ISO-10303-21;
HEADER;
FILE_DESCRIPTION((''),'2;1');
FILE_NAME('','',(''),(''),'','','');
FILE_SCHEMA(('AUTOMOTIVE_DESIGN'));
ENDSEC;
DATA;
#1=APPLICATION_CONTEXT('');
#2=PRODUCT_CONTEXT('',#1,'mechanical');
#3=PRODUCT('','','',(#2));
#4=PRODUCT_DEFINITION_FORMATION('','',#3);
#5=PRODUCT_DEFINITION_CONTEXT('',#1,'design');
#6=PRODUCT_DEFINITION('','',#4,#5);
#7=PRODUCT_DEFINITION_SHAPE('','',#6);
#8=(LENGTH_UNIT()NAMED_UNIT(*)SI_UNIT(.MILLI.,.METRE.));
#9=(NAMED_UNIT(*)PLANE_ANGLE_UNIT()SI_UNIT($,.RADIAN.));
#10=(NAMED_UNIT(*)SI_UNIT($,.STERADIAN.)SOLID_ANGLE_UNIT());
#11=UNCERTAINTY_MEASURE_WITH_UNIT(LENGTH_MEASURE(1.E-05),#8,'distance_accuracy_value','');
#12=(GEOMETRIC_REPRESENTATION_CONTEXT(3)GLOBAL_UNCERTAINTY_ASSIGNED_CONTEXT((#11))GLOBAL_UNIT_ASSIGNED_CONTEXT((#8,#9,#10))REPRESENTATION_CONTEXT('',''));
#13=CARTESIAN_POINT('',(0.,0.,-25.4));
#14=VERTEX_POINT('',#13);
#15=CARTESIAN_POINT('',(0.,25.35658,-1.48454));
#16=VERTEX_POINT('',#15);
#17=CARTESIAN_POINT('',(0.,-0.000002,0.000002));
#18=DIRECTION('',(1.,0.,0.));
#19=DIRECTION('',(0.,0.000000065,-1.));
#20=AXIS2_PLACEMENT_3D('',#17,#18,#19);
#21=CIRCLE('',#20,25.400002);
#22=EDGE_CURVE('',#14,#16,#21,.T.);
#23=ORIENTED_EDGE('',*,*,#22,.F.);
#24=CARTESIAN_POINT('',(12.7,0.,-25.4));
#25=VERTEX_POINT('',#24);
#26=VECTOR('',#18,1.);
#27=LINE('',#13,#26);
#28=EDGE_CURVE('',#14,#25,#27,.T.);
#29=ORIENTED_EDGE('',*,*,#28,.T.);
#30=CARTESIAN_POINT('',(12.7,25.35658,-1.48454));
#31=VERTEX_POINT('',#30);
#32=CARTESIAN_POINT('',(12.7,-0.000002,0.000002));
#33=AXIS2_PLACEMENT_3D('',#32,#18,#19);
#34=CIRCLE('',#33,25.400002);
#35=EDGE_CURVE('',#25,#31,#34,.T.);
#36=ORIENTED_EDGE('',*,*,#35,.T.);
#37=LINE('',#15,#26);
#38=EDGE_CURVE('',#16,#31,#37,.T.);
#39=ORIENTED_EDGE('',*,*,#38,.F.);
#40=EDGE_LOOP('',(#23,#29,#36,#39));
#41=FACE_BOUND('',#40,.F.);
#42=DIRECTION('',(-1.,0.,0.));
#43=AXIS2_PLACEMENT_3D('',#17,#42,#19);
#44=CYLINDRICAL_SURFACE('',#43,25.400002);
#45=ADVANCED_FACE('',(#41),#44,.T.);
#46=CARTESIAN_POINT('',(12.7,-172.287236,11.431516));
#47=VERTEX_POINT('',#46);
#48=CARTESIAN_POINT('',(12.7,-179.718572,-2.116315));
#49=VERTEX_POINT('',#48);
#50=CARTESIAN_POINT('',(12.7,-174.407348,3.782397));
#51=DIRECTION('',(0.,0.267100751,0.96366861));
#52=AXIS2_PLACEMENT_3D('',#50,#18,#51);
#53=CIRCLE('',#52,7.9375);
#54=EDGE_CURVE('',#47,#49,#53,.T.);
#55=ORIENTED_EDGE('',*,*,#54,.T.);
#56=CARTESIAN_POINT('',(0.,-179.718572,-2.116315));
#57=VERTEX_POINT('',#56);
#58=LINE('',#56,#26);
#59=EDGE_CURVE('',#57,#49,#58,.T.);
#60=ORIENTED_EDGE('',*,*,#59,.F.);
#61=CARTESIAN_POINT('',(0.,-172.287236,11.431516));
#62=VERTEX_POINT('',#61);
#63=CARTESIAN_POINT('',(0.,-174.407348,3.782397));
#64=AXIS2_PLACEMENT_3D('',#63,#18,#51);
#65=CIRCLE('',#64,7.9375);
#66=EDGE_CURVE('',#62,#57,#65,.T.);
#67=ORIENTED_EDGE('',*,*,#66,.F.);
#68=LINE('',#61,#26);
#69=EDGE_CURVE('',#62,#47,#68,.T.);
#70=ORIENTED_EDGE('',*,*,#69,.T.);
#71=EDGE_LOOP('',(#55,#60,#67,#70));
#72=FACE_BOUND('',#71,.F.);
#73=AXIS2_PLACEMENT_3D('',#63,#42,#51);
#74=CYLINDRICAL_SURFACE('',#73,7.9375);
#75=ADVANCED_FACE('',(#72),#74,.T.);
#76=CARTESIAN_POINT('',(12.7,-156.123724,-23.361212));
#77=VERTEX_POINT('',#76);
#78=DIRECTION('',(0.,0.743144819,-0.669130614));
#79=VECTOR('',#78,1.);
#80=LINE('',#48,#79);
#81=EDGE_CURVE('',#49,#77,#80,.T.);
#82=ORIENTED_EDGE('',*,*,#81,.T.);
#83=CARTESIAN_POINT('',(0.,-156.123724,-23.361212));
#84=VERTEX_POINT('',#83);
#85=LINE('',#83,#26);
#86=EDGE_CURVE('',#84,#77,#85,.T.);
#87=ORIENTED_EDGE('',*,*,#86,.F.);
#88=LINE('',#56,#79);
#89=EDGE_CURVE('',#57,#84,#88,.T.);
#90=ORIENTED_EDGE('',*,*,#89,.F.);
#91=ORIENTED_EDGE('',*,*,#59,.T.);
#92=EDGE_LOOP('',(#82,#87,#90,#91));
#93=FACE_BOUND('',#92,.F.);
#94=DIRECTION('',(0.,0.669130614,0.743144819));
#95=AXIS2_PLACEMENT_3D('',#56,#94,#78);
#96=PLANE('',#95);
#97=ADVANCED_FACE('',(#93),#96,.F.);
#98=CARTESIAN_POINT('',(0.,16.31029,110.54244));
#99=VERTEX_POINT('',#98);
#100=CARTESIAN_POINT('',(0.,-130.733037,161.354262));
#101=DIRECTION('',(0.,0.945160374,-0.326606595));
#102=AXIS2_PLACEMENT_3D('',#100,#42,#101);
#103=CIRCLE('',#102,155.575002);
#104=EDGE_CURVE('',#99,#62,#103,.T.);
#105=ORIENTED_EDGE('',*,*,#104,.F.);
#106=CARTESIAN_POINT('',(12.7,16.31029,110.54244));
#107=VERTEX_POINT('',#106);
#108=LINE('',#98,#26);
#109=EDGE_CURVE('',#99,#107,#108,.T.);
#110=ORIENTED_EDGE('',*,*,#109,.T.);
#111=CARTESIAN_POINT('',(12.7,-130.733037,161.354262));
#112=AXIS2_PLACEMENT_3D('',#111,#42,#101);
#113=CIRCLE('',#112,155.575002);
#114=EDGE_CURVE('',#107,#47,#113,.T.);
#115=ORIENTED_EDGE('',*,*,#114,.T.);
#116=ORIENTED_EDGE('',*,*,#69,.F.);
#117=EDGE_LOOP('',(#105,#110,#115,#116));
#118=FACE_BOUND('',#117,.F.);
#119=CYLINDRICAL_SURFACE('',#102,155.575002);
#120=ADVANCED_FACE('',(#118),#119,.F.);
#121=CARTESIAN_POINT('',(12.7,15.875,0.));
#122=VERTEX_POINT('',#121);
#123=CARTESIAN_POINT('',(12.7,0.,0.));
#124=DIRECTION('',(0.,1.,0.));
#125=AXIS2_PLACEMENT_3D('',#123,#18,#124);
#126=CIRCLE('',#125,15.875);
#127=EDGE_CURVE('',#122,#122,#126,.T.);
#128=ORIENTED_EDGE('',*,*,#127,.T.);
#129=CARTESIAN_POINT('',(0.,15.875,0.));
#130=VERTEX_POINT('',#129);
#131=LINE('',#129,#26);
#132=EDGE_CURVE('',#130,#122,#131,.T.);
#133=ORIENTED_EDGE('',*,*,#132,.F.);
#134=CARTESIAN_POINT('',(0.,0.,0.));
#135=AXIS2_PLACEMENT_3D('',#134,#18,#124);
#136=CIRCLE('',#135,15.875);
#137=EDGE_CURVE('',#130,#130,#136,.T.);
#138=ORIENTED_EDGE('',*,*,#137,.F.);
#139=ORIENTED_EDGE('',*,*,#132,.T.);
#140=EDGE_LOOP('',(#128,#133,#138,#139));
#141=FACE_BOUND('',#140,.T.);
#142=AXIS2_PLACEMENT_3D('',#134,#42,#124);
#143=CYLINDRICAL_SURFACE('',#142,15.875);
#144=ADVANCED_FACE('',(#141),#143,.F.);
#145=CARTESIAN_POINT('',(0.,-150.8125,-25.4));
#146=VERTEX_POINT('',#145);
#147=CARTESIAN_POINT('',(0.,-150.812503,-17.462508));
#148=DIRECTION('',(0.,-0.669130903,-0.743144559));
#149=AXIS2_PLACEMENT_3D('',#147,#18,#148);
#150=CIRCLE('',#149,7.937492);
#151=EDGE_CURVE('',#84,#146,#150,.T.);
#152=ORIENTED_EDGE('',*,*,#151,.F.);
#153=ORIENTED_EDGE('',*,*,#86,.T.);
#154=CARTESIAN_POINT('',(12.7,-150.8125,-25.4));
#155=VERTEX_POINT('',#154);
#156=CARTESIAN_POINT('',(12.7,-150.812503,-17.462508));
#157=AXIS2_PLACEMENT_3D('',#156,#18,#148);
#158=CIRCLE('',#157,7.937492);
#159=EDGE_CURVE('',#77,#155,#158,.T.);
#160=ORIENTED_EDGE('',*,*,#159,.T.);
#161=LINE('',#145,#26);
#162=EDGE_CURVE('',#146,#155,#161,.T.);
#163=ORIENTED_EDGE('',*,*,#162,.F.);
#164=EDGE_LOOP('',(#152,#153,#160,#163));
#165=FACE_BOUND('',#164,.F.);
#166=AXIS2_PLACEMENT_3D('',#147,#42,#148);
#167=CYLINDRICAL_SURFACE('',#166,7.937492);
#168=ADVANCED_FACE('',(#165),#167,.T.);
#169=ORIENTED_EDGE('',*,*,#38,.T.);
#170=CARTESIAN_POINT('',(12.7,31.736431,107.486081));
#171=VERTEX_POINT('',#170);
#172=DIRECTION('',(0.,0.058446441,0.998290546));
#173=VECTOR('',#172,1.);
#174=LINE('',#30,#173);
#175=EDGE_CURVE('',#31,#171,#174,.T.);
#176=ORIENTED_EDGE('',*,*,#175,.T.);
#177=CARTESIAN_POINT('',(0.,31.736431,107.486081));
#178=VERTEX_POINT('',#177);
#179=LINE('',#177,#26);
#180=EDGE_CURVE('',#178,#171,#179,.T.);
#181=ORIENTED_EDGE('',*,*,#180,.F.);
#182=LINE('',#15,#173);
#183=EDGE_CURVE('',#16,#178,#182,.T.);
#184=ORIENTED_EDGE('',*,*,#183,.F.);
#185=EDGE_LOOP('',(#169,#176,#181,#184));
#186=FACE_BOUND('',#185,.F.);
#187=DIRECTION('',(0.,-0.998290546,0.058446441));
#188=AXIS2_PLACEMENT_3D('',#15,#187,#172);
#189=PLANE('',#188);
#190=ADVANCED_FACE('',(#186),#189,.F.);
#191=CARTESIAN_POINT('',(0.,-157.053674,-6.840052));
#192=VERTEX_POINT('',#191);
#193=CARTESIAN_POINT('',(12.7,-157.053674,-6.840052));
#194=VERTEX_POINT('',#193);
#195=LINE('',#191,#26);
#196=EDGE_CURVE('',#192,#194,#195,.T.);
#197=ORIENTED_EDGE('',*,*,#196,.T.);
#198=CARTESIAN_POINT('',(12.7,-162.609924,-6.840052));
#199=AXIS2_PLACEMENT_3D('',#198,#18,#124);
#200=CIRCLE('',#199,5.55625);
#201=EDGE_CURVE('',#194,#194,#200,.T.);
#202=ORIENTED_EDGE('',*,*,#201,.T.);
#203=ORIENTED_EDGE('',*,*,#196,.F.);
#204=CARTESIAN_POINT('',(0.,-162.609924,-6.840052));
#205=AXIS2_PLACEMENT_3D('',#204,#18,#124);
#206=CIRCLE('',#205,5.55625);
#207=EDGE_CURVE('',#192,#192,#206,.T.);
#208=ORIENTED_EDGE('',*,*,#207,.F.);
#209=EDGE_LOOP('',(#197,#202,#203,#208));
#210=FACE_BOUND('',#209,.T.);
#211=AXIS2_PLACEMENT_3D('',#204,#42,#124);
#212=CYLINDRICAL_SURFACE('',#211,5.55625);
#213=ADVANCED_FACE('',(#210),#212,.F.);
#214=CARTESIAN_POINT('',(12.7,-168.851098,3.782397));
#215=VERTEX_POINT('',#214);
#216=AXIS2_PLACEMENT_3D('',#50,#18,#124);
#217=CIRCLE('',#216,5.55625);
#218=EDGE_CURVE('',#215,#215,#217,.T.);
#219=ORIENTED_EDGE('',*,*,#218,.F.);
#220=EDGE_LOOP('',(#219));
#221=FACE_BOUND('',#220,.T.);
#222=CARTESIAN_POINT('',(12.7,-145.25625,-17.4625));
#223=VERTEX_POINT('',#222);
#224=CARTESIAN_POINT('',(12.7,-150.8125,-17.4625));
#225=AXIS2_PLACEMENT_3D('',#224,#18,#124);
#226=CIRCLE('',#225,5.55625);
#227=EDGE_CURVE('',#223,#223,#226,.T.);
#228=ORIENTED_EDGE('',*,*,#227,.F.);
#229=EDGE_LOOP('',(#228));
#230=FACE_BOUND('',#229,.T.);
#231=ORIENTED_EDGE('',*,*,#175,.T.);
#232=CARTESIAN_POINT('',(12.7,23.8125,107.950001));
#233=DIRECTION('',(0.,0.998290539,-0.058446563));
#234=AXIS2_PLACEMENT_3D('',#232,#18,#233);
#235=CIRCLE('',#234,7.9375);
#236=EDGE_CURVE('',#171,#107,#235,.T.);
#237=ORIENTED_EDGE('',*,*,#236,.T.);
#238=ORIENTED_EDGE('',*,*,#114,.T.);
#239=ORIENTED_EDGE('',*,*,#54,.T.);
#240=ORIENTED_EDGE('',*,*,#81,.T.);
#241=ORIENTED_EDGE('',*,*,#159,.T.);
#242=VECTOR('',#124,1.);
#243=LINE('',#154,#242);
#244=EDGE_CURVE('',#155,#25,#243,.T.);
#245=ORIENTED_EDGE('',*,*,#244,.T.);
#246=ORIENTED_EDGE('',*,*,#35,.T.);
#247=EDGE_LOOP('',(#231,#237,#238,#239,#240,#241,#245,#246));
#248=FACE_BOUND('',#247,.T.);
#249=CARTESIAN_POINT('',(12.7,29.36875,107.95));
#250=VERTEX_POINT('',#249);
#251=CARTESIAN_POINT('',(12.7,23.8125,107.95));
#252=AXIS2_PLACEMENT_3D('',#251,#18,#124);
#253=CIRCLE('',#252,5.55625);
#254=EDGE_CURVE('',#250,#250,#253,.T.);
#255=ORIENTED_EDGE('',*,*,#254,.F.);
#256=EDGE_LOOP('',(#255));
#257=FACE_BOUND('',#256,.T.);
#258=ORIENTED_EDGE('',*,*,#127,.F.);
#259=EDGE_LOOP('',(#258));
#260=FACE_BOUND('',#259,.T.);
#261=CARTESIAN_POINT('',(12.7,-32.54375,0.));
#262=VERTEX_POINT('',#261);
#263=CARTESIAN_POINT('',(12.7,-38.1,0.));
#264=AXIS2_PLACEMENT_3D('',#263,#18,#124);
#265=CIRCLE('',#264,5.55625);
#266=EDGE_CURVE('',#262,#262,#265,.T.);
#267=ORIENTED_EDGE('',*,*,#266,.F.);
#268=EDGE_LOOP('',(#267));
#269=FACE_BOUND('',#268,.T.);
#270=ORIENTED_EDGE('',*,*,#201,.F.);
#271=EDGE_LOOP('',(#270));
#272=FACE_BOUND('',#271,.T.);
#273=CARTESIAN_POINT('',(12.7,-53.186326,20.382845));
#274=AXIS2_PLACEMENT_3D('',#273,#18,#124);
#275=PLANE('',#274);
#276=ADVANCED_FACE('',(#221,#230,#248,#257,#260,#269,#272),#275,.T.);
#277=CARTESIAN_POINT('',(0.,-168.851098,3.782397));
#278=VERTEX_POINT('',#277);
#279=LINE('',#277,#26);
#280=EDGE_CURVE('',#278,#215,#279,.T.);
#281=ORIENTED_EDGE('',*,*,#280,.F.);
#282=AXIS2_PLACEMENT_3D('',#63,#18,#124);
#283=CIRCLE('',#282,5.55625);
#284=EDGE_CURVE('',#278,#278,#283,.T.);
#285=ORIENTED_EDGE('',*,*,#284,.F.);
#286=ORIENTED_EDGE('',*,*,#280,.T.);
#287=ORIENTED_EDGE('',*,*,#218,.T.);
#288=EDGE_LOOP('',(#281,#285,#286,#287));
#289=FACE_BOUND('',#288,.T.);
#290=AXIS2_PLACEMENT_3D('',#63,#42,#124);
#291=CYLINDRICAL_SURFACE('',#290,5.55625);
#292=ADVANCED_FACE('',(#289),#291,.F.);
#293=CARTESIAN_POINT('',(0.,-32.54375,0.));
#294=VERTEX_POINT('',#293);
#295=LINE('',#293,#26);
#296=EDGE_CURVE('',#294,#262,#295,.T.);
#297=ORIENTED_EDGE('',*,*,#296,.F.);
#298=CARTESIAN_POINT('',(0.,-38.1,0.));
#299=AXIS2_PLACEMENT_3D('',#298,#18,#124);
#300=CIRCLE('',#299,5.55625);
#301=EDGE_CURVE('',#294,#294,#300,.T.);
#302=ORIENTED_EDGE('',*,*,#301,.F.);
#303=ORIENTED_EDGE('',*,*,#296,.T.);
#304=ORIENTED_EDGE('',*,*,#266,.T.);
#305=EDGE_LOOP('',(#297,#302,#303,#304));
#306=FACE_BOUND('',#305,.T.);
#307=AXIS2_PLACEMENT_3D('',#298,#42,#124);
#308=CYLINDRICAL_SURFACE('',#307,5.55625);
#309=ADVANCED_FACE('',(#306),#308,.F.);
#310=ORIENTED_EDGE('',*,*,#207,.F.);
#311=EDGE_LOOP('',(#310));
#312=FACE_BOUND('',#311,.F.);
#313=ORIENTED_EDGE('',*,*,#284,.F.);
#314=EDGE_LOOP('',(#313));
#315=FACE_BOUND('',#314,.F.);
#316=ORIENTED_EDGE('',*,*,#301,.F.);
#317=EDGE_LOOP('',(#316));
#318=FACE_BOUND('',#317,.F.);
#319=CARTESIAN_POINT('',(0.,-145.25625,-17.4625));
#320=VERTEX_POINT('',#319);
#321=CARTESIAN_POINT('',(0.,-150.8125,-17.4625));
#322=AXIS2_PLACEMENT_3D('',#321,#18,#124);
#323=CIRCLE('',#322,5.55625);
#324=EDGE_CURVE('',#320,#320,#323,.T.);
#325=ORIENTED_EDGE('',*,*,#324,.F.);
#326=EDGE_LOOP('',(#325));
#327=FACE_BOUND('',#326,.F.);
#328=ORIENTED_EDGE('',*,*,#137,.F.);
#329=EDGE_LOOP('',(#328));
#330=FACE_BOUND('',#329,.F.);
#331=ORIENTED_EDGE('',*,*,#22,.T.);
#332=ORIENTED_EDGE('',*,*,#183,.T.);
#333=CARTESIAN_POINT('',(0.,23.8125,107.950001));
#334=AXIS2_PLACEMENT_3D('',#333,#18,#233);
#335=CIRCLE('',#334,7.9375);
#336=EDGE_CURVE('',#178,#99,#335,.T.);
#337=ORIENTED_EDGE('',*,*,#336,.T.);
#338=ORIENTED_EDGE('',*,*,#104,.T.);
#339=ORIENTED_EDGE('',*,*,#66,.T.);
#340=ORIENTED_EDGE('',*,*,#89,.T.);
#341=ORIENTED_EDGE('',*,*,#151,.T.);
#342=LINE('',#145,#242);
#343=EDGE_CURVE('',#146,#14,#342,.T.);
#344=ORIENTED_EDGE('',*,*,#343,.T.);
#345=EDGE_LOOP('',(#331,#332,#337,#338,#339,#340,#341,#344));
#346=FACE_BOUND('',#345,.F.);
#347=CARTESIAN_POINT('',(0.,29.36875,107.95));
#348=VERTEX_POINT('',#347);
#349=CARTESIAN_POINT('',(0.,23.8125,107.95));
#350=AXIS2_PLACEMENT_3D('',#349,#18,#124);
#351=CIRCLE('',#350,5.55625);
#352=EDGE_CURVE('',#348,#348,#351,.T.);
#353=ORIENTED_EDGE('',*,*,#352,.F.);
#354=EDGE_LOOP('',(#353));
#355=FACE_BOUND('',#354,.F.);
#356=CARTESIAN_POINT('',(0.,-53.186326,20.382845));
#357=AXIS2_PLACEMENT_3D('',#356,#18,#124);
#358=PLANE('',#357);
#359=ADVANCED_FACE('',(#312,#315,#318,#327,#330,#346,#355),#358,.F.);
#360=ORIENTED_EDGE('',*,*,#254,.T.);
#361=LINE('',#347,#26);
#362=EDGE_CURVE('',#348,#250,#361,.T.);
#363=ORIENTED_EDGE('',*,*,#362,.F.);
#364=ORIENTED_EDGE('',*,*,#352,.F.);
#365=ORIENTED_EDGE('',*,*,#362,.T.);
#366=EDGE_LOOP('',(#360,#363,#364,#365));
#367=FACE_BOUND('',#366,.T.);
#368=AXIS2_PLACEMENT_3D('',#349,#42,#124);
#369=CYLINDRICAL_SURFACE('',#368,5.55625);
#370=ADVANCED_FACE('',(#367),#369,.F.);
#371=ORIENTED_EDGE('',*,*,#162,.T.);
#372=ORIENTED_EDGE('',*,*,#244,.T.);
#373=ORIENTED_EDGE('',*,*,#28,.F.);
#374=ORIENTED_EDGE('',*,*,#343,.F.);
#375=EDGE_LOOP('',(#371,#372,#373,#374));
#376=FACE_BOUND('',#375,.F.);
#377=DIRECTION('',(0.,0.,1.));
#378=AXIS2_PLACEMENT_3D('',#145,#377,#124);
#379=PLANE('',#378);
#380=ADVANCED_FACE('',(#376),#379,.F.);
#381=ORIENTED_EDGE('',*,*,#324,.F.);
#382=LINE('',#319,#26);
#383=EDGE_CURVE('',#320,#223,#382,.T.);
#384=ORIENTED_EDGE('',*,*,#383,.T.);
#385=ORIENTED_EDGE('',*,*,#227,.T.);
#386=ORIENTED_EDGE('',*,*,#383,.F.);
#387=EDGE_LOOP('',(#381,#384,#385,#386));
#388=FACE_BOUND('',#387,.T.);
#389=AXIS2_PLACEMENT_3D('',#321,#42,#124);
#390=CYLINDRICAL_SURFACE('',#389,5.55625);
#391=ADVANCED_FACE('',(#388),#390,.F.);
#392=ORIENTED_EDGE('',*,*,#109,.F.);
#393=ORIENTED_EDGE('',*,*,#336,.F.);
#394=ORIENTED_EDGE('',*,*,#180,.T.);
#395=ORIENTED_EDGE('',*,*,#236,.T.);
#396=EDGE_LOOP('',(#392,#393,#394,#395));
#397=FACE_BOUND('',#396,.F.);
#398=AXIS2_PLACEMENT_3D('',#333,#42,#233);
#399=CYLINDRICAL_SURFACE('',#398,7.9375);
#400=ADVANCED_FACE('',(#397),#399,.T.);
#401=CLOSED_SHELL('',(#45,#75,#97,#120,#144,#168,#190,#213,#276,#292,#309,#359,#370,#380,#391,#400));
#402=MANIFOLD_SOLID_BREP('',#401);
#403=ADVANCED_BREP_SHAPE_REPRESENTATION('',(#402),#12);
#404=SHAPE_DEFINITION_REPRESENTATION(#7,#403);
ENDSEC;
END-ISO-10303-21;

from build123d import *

# Parameters (mm, degrees)
F0_R     = 5.55625
F0_R_2   = 15.875
F1_DEPTH = 12.7


with BuildPart() as f1:
    # F0 (on Right) → F1 (new body)
    with BuildSketch(Plane.YZ):
        with BuildLine():
            Line((-150.8125, -25.4), (0, -25.4))
            ThreePointArc((0, -25.4), (17.427746, -18.477923), (25.35658, -1.48454))
            Line((25.35658, -1.48454), (31.736431, 107.486081))
            ThreePointArc((31.736431, 107.486081), (25.355158, 115.736149), (16.31029, 110.54244))
            ThreePointArc((16.31029, 110.54244), (-58.360854, 23.637711), (-172.287236, 11.431516))
            ThreePointArc((-172.287236, 11.431516), (-181.366639, 7.599748), (-179.718572, -2.116315))
            Line((-179.718572, -2.116315), (-156.123724, -23.361212))
            ThreePointArc((-156.123724, -23.361212), (-153.657046, -24.872795), (-150.8125, -25.4))
        make_face()
        with Locations((-150.8125, -17.4625)):
            Circle(F0_R, mode=Mode.SUBTRACT)
        with Locations((-162.609924, -6.840052)):
            Circle(F0_R, mode=Mode.SUBTRACT)
        with Locations((-174.407348, 3.782397)):
            Circle(F0_R, mode=Mode.SUBTRACT)
        with Locations((-38.1, 0)):
            Circle(F0_R, mode=Mode.SUBTRACT)
        Circle(F0_R_2, mode=Mode.SUBTRACT)
        with Locations((23.8125, 107.95)):
            Circle(F0_R, mode=Mode.SUBTRACT)
    extrude(amount=F1_DEPTH)


solid = f1.part
